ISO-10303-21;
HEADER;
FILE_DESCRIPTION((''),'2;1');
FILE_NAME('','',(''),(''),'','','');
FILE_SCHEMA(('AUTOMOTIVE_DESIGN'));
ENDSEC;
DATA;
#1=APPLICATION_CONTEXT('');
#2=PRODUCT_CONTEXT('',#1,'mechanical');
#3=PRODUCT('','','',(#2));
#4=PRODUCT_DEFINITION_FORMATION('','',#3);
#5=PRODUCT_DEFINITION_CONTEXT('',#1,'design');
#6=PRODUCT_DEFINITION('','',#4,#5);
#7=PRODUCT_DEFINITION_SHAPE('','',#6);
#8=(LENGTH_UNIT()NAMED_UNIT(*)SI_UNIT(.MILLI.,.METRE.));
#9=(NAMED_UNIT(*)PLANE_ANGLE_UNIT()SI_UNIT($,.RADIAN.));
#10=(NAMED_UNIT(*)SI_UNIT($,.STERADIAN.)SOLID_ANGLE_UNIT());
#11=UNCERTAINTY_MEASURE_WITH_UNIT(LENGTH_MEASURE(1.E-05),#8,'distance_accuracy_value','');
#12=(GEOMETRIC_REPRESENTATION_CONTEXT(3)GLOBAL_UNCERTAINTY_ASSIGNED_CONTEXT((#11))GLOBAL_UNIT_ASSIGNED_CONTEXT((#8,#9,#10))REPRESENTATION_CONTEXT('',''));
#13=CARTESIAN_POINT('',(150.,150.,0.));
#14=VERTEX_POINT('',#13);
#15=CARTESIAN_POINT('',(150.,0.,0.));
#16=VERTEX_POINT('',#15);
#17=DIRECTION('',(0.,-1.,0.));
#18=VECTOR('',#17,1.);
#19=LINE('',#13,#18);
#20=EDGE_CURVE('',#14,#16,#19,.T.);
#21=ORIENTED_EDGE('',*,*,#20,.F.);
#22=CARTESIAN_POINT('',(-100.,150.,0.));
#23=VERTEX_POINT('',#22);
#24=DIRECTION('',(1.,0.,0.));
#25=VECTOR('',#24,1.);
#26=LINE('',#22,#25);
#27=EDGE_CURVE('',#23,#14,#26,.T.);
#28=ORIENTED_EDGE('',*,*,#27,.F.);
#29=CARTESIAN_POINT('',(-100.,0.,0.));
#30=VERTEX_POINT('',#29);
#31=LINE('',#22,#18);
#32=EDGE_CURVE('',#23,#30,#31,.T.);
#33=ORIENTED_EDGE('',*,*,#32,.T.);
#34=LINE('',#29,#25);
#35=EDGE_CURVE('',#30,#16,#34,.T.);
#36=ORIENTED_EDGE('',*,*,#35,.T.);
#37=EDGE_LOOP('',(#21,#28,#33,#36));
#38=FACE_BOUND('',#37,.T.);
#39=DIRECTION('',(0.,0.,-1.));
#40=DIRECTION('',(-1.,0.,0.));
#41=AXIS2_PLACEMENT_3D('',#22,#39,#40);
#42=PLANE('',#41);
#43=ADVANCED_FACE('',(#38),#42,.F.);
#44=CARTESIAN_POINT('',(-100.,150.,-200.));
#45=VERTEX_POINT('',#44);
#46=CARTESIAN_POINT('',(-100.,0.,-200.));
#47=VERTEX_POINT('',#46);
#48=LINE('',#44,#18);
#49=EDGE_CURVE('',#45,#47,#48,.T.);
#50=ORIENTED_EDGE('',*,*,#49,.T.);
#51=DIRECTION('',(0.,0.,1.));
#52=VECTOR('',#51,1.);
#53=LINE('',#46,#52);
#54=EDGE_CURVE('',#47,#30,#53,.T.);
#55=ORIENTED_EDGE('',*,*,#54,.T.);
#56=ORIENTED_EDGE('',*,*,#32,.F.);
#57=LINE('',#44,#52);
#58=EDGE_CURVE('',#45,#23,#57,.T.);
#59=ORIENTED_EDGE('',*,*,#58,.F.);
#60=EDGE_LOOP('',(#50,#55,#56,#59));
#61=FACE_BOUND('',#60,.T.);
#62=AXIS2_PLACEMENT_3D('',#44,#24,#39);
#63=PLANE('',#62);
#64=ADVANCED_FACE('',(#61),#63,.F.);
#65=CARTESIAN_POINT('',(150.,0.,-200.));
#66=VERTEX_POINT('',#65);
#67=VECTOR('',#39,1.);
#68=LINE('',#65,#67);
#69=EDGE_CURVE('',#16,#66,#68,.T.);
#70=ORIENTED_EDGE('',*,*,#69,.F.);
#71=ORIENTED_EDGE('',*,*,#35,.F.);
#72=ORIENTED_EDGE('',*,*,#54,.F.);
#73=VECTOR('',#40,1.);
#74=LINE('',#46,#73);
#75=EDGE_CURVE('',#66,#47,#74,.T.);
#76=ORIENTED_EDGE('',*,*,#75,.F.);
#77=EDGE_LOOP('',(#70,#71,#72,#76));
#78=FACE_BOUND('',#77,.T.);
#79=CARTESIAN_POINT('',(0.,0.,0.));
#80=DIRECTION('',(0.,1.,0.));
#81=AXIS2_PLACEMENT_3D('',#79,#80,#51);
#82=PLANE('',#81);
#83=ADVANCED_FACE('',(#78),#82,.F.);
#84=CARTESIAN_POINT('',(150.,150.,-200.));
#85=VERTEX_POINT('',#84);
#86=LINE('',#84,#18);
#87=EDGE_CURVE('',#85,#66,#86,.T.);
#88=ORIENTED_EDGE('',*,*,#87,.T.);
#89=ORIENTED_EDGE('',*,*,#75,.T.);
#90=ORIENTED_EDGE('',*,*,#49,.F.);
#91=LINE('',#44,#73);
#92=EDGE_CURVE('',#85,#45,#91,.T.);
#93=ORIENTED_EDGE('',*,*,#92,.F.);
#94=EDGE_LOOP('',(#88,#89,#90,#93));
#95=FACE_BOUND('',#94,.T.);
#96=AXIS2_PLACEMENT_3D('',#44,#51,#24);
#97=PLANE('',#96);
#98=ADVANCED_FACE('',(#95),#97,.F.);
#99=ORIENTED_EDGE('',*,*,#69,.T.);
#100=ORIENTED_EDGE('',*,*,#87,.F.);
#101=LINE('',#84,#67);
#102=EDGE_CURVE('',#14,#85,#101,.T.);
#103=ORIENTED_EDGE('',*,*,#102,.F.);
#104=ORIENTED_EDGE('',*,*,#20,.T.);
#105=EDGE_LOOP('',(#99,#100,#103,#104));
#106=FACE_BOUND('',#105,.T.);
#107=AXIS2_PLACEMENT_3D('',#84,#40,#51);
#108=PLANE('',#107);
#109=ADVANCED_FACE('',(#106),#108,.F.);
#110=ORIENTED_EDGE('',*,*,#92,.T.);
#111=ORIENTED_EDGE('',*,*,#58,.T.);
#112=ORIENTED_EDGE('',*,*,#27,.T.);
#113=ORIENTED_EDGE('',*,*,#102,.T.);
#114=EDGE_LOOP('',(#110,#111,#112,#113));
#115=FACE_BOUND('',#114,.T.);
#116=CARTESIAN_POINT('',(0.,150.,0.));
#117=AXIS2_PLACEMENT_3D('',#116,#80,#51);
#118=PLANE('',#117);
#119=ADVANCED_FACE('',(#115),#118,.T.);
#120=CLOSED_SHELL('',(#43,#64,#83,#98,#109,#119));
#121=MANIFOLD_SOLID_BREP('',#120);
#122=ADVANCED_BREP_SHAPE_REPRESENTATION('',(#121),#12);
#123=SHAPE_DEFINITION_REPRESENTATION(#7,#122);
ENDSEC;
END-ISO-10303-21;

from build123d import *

# Parameters (mm, degrees)
SKETCH_1_W      = 250
SKETCH_1_H      = 200
EXTRUDE_1_DEPTH = 150


with BuildPart() as part:
    # 草图1 → 凸台-拉伸1 (new body)
    with BuildSketch(Plane(origin=(0, 0, 0), x_dir=(1, 0, 0), z_dir=(0, 1, 0))):
        with Locations((25, 100)):
            Rectangle(SKETCH_1_W, SKETCH_1_H)
    extrude(amount=EXTRUDE_1_DEPTH)


solid = part.part
